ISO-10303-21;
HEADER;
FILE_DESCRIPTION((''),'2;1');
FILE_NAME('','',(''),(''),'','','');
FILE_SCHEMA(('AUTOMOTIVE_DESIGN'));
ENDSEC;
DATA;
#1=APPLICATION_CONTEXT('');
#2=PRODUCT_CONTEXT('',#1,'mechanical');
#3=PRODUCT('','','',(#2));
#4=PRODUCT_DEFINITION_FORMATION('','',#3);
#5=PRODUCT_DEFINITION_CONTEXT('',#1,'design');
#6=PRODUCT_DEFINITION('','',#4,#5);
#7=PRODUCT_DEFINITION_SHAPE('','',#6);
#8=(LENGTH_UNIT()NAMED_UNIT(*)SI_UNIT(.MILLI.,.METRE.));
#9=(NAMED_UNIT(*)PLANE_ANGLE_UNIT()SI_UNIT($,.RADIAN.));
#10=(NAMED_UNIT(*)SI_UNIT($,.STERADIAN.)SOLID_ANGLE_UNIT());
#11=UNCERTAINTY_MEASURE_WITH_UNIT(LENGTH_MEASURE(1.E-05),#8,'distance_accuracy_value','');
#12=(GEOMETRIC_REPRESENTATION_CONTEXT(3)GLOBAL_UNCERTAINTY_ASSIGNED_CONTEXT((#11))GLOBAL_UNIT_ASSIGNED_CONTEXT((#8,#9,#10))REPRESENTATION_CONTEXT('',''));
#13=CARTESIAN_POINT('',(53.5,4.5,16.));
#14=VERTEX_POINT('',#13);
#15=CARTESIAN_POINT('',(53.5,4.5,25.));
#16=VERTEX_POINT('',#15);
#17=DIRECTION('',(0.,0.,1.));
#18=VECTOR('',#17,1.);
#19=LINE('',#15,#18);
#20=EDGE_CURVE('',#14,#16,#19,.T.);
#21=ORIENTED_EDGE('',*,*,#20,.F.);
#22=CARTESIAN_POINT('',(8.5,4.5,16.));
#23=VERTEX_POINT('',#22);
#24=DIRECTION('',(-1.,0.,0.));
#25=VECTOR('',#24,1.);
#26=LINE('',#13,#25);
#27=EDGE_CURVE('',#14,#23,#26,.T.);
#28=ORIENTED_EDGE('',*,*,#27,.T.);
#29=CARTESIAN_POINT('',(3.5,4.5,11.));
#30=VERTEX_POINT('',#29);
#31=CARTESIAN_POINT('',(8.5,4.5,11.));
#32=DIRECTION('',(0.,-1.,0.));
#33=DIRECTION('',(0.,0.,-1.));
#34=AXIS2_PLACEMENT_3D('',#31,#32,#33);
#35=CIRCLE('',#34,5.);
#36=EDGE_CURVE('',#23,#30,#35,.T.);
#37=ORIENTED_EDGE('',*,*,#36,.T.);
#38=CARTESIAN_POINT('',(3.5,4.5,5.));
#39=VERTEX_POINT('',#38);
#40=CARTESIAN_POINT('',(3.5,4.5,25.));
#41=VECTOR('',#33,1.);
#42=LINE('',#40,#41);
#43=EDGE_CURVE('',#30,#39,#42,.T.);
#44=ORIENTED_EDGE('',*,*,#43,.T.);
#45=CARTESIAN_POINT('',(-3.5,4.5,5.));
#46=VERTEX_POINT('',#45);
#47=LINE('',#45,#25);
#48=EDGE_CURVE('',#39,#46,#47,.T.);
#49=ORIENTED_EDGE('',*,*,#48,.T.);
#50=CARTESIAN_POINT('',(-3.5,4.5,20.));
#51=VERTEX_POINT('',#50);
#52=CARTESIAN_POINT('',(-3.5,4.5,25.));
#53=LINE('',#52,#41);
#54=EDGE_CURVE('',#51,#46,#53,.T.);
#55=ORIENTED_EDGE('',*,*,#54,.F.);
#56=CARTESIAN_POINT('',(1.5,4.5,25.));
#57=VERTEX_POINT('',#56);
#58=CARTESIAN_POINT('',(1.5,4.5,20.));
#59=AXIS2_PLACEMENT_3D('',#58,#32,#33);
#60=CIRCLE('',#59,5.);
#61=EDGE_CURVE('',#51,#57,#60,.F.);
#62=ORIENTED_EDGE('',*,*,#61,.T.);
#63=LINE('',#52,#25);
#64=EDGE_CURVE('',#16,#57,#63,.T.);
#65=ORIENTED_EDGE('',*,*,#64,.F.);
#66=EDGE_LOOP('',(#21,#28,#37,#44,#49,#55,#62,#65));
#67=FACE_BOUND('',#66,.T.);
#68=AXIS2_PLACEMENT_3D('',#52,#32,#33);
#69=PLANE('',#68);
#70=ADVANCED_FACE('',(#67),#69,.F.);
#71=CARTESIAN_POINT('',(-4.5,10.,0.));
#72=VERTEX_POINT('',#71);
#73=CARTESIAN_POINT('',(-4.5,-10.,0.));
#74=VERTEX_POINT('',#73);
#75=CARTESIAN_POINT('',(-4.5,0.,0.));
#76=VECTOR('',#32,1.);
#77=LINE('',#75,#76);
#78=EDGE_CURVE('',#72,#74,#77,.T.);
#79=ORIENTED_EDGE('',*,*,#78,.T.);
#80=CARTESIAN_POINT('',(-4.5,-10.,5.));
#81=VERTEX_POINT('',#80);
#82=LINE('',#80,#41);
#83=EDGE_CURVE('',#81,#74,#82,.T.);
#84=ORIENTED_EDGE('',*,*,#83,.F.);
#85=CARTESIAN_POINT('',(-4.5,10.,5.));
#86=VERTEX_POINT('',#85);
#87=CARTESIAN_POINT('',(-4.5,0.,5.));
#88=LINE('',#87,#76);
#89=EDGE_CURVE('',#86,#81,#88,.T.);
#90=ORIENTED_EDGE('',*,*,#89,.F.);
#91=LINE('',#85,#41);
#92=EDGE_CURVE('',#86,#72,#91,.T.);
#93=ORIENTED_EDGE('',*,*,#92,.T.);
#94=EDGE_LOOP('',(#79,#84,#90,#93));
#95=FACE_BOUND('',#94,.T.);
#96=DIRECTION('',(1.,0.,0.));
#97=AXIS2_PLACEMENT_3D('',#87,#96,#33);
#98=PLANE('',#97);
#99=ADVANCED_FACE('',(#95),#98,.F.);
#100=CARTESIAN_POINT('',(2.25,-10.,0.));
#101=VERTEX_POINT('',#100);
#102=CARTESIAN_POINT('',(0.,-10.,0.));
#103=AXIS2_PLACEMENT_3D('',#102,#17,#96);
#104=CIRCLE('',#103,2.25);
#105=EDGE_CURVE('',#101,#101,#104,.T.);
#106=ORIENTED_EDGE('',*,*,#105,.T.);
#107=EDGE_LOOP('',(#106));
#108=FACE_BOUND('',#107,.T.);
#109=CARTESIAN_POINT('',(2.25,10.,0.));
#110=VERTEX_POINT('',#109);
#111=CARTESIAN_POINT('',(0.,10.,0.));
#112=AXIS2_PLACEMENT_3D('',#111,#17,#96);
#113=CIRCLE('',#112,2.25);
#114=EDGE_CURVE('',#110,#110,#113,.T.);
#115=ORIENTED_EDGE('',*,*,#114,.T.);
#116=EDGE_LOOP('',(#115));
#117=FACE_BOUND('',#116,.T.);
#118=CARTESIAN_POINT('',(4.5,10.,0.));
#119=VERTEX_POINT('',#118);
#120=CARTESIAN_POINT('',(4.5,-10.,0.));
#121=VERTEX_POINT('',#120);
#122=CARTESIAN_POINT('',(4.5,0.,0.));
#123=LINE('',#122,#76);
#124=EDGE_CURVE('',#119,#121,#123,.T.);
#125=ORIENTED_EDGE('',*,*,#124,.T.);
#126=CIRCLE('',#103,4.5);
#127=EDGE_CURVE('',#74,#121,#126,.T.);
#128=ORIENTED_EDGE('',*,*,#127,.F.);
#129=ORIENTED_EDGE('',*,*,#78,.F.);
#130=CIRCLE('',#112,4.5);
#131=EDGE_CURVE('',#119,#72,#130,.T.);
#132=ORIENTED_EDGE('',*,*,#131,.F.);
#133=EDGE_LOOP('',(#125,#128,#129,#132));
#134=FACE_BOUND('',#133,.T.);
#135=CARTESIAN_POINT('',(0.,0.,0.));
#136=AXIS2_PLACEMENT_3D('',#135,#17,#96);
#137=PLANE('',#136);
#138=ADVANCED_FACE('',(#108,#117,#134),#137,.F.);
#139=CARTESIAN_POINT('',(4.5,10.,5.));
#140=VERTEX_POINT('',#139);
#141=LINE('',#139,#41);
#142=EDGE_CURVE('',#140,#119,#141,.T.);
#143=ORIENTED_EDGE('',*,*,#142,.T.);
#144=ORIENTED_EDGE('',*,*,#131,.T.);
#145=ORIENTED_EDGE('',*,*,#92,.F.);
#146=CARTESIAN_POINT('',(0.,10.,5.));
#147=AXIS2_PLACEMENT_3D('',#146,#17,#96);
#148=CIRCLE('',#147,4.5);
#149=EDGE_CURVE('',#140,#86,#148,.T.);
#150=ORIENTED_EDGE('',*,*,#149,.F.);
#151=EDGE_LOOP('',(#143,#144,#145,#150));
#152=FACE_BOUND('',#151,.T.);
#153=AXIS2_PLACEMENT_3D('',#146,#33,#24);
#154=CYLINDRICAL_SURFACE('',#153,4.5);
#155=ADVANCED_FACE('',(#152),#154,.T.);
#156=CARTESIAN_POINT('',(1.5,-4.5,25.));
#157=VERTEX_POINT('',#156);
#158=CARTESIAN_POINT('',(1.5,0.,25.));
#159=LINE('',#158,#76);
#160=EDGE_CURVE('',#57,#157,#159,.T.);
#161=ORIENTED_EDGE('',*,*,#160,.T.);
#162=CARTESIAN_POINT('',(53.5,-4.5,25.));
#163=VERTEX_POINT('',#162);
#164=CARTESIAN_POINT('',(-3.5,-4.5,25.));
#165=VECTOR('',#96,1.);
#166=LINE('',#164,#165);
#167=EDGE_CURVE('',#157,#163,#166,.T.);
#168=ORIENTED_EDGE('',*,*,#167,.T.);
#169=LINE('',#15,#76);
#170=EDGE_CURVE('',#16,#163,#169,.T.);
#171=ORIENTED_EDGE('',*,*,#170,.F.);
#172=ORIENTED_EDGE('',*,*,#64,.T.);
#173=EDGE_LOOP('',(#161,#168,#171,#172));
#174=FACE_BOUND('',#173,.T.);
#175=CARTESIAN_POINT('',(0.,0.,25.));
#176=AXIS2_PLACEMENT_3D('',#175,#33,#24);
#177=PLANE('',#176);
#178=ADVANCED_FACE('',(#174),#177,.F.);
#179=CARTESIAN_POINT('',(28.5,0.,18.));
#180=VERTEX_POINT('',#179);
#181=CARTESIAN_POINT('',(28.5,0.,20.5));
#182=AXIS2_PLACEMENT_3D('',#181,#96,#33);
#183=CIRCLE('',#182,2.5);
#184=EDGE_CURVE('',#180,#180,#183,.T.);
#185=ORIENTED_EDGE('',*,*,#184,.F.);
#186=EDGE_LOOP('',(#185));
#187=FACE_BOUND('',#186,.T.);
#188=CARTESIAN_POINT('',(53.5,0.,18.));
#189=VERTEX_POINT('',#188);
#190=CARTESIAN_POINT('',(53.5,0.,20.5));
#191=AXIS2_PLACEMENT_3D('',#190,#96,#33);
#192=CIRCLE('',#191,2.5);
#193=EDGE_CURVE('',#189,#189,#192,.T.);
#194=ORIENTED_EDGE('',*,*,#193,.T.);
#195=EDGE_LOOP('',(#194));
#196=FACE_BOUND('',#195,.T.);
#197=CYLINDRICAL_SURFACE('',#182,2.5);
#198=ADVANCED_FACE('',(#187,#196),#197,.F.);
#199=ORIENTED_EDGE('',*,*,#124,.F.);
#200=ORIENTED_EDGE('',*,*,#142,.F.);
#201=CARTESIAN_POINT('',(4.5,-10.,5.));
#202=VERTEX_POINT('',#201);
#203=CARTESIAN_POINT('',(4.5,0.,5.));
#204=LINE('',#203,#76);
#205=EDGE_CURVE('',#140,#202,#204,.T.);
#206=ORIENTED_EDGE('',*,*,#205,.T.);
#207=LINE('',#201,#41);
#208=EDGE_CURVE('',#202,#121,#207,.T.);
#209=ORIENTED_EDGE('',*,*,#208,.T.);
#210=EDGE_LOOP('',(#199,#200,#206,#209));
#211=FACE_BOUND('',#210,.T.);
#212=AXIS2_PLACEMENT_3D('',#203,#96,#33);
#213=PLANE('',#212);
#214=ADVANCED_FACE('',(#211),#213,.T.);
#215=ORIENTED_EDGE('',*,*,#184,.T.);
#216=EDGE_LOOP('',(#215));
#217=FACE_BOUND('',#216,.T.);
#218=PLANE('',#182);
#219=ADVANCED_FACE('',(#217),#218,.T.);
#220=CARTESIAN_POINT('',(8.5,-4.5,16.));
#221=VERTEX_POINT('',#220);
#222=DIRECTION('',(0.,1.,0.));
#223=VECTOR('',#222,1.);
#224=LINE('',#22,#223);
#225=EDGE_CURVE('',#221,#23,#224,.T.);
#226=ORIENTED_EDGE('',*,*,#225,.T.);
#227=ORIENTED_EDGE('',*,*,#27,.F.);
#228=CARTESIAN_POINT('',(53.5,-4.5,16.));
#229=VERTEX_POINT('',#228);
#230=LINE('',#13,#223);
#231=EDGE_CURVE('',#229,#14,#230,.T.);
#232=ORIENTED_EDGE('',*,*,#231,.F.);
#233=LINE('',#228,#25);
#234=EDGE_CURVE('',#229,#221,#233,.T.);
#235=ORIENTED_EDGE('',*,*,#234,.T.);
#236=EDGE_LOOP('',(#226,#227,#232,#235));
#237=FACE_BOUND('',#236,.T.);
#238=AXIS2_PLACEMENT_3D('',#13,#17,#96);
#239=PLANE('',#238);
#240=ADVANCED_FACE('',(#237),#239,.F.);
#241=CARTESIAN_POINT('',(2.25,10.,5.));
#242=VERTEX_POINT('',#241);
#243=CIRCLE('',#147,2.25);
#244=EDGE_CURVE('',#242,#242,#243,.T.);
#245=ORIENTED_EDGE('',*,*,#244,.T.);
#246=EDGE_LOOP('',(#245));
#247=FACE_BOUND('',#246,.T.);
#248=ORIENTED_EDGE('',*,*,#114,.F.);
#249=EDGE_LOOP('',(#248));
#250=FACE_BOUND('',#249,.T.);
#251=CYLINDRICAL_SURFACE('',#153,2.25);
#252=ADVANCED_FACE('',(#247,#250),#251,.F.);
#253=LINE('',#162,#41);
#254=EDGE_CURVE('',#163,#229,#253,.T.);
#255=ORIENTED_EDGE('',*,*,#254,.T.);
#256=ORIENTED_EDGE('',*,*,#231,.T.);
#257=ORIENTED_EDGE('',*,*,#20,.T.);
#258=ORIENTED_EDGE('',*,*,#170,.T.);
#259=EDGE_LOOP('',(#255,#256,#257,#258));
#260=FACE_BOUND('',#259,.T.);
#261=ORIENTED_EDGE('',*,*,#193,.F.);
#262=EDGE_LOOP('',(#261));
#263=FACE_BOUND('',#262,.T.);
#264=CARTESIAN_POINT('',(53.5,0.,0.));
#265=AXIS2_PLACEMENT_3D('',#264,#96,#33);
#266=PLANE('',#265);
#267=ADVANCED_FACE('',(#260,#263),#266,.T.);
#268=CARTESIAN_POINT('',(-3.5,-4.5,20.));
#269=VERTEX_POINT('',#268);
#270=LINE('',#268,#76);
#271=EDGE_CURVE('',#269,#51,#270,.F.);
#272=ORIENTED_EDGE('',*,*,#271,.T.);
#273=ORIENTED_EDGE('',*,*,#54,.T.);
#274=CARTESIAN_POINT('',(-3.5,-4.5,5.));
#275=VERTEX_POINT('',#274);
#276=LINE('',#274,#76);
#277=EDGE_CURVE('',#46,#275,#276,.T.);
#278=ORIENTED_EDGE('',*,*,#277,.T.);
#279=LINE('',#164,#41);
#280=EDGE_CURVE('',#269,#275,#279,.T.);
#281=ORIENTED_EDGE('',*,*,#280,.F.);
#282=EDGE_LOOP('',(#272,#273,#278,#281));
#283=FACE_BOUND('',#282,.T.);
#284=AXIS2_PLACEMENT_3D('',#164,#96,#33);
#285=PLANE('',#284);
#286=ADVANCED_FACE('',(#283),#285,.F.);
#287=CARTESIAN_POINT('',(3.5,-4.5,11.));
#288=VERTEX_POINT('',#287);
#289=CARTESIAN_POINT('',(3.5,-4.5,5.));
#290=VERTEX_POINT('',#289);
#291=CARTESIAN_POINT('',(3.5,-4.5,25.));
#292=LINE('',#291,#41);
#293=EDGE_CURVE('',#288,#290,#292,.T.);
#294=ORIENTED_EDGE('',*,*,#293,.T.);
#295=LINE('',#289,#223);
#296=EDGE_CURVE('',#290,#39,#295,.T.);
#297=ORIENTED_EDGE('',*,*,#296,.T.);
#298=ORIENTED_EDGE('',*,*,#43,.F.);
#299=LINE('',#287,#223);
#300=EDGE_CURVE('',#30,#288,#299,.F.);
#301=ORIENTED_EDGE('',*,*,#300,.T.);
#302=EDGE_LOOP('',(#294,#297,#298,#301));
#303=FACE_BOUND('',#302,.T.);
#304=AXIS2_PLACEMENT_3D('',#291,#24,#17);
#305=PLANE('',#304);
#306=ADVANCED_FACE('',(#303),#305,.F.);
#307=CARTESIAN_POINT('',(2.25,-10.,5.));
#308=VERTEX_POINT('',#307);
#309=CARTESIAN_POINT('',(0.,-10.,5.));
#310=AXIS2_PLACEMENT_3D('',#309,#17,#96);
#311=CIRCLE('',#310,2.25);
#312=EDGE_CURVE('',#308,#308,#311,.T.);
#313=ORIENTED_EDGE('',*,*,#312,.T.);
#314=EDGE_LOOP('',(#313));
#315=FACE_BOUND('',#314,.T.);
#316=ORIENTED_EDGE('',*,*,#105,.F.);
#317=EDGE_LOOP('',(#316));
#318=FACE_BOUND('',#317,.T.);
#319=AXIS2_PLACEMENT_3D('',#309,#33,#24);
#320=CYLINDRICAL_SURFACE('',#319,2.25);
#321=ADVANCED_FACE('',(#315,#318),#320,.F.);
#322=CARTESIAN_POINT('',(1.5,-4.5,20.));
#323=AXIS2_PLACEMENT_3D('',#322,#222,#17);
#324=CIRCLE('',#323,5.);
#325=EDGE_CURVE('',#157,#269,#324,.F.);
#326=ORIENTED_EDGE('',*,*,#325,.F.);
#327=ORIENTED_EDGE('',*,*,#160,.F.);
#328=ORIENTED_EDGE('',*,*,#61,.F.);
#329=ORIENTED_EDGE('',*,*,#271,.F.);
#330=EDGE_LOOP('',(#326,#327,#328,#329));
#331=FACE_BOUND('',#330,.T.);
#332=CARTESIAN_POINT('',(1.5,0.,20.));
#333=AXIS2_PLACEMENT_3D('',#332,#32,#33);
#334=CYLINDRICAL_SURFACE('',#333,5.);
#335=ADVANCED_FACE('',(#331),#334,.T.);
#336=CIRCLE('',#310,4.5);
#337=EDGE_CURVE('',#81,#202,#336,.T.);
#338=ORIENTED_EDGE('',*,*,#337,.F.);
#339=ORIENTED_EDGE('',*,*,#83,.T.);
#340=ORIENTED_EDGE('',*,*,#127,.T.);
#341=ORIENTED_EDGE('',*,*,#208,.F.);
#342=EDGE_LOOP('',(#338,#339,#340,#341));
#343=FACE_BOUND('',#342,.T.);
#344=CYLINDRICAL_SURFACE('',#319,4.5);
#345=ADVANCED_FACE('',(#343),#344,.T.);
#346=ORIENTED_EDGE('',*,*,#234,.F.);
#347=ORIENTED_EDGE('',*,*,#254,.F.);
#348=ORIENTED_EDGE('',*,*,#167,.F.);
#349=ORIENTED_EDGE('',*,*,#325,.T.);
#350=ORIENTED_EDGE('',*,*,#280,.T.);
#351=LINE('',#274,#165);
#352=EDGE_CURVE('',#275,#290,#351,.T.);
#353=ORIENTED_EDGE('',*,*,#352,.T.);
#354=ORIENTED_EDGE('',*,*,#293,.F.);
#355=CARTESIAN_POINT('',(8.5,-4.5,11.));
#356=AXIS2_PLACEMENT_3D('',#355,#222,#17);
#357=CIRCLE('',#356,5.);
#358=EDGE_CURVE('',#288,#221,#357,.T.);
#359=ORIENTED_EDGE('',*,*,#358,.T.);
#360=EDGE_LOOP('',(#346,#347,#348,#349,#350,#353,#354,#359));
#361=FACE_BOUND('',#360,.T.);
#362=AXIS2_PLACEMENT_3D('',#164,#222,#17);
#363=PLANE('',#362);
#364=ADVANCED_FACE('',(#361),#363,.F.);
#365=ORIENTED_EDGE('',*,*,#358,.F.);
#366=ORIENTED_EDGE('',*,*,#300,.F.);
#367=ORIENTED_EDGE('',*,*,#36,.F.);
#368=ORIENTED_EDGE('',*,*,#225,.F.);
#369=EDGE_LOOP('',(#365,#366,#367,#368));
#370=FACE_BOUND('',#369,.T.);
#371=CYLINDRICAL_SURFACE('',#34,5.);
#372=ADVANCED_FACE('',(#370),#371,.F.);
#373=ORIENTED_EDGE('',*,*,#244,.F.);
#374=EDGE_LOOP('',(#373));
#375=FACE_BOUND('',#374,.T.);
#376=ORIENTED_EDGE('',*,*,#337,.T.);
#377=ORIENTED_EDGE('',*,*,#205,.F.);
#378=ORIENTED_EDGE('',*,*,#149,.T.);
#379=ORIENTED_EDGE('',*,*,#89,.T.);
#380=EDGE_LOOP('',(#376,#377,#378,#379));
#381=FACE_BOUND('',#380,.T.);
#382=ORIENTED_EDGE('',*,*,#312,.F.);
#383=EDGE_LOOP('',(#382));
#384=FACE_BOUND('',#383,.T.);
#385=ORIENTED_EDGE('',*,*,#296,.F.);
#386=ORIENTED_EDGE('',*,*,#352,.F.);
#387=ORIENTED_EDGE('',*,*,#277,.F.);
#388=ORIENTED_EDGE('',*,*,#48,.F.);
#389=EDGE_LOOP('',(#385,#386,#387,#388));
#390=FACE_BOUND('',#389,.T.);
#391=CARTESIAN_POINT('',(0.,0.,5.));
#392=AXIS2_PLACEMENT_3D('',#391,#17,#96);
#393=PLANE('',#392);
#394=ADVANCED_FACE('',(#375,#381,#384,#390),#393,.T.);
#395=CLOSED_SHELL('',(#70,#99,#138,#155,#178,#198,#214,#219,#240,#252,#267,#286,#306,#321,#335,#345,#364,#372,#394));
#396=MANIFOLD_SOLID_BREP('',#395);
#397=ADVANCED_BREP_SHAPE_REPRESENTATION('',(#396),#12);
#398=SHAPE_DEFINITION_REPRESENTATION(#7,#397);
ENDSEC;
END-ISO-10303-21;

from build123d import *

# Parameters (mm, degrees)
SKETCH1_R           = 2.25
BOSS_EXTRUDE1_DEPTH = 5
SKETCH2_W           = 7
SKETCH2_H           = 9
BOSS_EXTRUDE2_DEPTH = 20
SKETCH4_W           = 9
SKETCH4_H           = 9
BOSS_EXTRUDE4_DEPTH = 50
SKETCH5_R           = 2.5
CUT_EXTRUDE1_DEPTH  = 25
FILLET1_R           = 5
FILLET2_R           = 5


with BuildPart() as part:
    # Sketch1 → Boss-Extrude1 (new body)
    with BuildSketch(Plane.XY):
        with BuildLine():
            ThreePointArc((4.5, 10), (0, 14.5), (-4.5, 10))
            Line((-4.5, 10), (-4.5, -10))
            ThreePointArc((-4.5, -10), (0, -14.5), (4.5, -10))
            Line((4.5, -10), (4.5, 10))
        make_face()
        with Locations((0, 10)):
            Circle(SKETCH1_R, mode=Mode.SUBTRACT)
        with Locations((0, -10)):
            Circle(SKETCH1_R, mode=Mode.SUBTRACT)
    extrude(amount=BOSS_EXTRUDE1_DEPTH)

    # Sketch2 → Boss-Extrude2 (add)
    with BuildSketch(Plane.XY.offset(5)):
        Rectangle(SKETCH2_W, SKETCH2_H)
    extrude(amount=BOSS_EXTRUDE2_DEPTH)

    # Sketch4 → Boss-Extrude4 (add)
    with BuildSketch(Plane(origin=(3.5, 0, 0), x_dir=(0, 0, -1), z_dir=(1, 0, 0))):
        with Locations((-20.5, 0)):
            Rectangle(SKETCH4_W, SKETCH4_H)
    extrude(amount=BOSS_EXTRUDE4_DEPTH)

    # Sketch5 → Cut-Extrude1 (cut)
    with BuildSketch(Plane(origin=(53.5, 0, 0), x_dir=(0, 0, -1), z_dir=(1, 0, 0))):
        with Locations((-20.5, 0)):
            Circle(SKETCH5_R)
    extrude(amount=-CUT_EXTRUDE1_DEPTH, mode=Mode.SUBTRACT)

    # Fillet1
    fillet1_edges = [part.edges().sort_by_distance(p)[0] for p in [
        (3.5, 0, 16),
    ]]
    fillet(fillet1_edges, radius=FILLET1_R)

    # Fillet2
    fillet2_edges = [part.edges().sort_by_distance(p)[0] for p in [
        (-3.5, 0, 25),
    ]]
    fillet(fillet2_edges, radius=FILLET2_R)


solid = part.part
